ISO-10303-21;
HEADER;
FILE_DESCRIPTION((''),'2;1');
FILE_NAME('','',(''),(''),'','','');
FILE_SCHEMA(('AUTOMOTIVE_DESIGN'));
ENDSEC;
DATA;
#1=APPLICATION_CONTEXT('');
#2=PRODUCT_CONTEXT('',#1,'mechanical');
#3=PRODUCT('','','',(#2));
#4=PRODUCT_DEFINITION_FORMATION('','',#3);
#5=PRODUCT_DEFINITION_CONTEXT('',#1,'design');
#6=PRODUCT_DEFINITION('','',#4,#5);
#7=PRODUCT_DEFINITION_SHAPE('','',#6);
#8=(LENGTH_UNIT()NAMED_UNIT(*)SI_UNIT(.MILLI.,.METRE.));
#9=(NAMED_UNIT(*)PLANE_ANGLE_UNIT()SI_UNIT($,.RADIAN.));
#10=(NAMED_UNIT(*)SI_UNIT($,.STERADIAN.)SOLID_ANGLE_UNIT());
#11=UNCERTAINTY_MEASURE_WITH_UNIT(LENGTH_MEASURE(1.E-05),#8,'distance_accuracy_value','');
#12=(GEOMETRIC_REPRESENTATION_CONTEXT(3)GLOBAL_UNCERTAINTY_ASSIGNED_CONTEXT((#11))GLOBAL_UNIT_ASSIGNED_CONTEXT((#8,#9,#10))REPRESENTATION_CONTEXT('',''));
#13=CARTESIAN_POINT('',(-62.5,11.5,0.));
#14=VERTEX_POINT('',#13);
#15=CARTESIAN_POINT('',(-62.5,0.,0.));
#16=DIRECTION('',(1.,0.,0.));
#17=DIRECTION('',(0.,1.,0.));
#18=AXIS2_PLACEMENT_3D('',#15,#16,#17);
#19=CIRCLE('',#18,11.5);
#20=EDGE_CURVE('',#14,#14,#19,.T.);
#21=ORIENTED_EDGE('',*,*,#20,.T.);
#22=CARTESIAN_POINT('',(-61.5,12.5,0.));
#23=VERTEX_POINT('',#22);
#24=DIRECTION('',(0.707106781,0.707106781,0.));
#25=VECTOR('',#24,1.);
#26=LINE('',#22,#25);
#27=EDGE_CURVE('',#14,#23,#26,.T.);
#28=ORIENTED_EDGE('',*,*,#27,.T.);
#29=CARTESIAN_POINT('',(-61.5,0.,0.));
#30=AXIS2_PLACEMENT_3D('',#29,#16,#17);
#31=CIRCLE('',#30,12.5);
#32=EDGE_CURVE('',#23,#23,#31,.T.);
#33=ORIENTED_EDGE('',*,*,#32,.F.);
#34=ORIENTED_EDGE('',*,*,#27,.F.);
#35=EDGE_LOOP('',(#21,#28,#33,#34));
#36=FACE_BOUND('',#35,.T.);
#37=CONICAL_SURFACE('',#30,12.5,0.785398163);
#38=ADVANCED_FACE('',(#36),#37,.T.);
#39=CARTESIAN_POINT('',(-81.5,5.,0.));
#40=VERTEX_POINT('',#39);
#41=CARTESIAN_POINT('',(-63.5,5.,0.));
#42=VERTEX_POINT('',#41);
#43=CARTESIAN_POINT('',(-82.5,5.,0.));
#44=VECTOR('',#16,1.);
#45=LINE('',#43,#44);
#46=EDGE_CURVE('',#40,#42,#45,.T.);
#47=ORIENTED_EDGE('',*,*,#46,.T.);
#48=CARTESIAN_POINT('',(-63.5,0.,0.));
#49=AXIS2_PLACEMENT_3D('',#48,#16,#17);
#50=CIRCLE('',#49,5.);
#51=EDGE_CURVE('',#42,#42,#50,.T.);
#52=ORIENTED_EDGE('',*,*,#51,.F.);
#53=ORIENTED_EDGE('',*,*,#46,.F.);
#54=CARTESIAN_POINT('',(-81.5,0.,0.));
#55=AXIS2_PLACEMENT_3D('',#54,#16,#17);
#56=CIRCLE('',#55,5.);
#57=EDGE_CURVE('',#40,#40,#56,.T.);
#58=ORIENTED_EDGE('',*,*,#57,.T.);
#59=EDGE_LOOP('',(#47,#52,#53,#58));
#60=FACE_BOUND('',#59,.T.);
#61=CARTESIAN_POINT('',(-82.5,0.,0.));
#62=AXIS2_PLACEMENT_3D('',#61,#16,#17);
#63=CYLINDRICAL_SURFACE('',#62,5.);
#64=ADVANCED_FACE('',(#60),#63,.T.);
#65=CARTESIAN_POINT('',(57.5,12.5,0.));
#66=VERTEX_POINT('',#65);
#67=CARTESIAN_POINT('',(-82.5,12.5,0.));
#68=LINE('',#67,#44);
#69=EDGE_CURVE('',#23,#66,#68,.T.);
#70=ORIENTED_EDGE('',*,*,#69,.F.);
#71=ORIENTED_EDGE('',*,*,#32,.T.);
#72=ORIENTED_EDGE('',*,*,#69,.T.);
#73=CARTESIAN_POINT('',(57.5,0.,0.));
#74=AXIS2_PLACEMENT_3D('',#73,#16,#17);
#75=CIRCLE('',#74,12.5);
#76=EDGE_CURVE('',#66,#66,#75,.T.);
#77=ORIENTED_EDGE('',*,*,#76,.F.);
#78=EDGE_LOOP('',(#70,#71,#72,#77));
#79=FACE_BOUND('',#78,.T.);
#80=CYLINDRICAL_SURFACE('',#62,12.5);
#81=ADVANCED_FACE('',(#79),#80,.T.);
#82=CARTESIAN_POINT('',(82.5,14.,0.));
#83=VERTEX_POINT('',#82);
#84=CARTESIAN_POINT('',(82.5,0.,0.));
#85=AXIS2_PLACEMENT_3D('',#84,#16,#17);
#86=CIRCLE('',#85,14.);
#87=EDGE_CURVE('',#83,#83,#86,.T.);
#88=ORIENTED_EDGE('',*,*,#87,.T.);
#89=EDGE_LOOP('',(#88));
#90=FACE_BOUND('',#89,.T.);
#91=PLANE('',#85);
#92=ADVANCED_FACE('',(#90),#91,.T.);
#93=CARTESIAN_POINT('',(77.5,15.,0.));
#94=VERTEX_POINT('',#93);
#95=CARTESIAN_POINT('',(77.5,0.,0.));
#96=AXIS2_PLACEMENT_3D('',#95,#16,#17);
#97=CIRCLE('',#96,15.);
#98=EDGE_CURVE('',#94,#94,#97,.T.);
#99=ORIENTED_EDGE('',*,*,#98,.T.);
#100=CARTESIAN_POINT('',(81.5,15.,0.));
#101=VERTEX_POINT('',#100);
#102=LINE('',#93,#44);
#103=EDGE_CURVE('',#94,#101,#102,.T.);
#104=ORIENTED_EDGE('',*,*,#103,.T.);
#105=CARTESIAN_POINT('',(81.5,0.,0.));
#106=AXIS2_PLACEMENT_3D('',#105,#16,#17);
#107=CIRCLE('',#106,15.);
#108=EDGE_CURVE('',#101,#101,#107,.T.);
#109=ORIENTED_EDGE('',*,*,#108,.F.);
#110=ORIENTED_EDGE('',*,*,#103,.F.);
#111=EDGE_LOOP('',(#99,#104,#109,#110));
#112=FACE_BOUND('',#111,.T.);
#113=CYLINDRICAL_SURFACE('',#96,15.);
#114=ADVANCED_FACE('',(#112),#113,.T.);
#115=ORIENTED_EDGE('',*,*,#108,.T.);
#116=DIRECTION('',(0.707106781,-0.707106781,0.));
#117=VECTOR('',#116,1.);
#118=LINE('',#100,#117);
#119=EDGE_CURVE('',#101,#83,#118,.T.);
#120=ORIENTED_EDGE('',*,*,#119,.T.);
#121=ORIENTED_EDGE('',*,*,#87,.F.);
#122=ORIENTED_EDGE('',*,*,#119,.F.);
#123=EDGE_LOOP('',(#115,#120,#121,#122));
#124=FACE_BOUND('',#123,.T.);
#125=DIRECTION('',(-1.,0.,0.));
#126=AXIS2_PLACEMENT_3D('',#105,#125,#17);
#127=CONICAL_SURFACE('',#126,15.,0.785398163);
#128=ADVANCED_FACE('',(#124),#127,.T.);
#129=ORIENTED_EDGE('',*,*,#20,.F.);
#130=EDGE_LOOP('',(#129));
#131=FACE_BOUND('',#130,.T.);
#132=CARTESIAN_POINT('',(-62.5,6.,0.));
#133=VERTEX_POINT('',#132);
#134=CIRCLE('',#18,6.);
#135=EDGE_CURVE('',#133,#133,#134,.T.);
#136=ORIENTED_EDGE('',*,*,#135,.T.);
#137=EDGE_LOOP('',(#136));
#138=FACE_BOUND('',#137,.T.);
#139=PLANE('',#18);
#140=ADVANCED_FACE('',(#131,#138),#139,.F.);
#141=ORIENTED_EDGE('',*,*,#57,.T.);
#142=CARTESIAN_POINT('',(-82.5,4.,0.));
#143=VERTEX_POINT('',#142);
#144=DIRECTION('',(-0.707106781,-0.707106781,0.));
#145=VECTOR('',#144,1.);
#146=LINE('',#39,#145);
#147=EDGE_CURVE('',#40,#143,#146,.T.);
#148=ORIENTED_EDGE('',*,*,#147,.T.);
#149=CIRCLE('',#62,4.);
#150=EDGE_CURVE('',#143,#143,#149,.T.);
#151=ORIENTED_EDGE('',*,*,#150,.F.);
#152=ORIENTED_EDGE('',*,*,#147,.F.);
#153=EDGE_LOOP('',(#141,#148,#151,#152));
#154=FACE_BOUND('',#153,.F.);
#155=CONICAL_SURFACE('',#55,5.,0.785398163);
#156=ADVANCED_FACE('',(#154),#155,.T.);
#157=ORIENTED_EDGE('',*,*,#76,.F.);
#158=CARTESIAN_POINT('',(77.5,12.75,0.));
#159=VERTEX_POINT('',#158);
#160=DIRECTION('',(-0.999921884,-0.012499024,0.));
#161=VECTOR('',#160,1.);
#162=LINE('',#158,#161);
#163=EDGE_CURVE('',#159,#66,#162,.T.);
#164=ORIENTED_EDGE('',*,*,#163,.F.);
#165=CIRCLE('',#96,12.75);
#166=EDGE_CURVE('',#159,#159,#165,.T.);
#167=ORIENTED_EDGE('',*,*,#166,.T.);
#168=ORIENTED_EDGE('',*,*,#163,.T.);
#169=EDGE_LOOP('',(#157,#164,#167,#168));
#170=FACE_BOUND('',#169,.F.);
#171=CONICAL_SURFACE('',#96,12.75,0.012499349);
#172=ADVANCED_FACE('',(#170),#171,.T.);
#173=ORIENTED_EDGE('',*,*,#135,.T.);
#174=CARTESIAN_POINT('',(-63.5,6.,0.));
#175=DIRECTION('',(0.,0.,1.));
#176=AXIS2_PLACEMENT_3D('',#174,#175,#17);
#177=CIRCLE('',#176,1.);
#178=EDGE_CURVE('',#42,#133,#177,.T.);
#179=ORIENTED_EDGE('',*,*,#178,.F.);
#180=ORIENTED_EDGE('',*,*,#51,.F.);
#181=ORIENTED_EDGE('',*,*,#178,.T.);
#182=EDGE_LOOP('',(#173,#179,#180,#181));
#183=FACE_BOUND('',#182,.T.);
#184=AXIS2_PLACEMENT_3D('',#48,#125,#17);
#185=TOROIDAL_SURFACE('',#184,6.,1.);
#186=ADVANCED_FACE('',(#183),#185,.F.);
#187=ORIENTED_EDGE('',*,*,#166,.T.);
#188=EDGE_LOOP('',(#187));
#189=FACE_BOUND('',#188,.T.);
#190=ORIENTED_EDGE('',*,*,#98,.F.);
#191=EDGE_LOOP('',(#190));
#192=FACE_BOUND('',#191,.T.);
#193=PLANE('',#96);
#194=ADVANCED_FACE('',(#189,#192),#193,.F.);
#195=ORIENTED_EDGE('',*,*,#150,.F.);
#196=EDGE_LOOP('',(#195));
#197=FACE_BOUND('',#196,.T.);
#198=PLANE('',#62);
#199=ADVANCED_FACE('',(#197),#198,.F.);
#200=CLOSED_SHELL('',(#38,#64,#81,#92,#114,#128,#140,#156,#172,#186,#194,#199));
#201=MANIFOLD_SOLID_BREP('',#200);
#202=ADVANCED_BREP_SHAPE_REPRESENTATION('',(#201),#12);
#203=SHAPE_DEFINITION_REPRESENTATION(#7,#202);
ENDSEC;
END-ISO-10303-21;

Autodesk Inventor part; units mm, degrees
ref_plane "YZ Plane" through (0, 0, 0) normal (1, 0, 0) x (0, 1, 0)
ref_plane "XZ Plane" through (0, 0, 0) normal (0, 1, 0) x (-1, 0, 0)
ref_plane "XY Plane" through (0, 0, 0) normal (0, 0, 1) x (1, 0, 0)
sketch "Sketch1" plane through (0, 0, 0) normal (0, 0, 1) x (1, 0, 0)
  line L0 (-82.5, 0) -> (82.5, 0)
  line L1 (-82.5, 0) -> (-82.5, 12.5)
  line L2 (-82.5, 12.5) -> (77.5, 12.5)
  line L3 (77.5, 12.5) -> (77.5, 15)
  line L4 (77.5, 15) -> (82.5, 15)
  line L5 (82.5, 15) -> (82.5, 0)
  circle A0 centre (-72.5, 0) radius 1.75
  line L6 (77.5, 12.75) -> (57.5, 12.5)
  line L7 (-82.5, 5) -> (-62.5, 5)
  line L8 (-62.5, 5) -> (-62.5, 12.5)
  point P0 (0, 0)
  point P1 (0, 0)
  dimension "d0" = 165
  dimension "d1" = 25
  dimension "d2" = 5
  dimension "d3" = 30
  dimension "d8" = 3.5
  dimension "d9" = 10
  dimension "d12" = 0.25
  dimension "d13" = 20
  dimension "d14" = 10
  dimension "d15" = 20
revolve "Revolution1" add sketch "Sketch1" angle 360 about axis through (-82.5, 0, 0) along (1, 0, 0) picked at (-71.9665, 0.4107) contours A0 L0 L1 L7 L8 L2 L3 L4 L5 | L0 A0 | L3 L2 L6
fillet "Fillet1" radius 1 1 edges at (-62.5, -5, 0)
thread "Thread1" size "M10x1.5" class "6g" standard "ISO Metric profile" full length
chamfer "Chamfer1" distance 1 angle 45 3 edges at (82.5, -15, 0) (-62.5, -12.5, 0) (-82.5, -5, 0)
properties part number "PWTR-0111" material "Stainless Steel"
